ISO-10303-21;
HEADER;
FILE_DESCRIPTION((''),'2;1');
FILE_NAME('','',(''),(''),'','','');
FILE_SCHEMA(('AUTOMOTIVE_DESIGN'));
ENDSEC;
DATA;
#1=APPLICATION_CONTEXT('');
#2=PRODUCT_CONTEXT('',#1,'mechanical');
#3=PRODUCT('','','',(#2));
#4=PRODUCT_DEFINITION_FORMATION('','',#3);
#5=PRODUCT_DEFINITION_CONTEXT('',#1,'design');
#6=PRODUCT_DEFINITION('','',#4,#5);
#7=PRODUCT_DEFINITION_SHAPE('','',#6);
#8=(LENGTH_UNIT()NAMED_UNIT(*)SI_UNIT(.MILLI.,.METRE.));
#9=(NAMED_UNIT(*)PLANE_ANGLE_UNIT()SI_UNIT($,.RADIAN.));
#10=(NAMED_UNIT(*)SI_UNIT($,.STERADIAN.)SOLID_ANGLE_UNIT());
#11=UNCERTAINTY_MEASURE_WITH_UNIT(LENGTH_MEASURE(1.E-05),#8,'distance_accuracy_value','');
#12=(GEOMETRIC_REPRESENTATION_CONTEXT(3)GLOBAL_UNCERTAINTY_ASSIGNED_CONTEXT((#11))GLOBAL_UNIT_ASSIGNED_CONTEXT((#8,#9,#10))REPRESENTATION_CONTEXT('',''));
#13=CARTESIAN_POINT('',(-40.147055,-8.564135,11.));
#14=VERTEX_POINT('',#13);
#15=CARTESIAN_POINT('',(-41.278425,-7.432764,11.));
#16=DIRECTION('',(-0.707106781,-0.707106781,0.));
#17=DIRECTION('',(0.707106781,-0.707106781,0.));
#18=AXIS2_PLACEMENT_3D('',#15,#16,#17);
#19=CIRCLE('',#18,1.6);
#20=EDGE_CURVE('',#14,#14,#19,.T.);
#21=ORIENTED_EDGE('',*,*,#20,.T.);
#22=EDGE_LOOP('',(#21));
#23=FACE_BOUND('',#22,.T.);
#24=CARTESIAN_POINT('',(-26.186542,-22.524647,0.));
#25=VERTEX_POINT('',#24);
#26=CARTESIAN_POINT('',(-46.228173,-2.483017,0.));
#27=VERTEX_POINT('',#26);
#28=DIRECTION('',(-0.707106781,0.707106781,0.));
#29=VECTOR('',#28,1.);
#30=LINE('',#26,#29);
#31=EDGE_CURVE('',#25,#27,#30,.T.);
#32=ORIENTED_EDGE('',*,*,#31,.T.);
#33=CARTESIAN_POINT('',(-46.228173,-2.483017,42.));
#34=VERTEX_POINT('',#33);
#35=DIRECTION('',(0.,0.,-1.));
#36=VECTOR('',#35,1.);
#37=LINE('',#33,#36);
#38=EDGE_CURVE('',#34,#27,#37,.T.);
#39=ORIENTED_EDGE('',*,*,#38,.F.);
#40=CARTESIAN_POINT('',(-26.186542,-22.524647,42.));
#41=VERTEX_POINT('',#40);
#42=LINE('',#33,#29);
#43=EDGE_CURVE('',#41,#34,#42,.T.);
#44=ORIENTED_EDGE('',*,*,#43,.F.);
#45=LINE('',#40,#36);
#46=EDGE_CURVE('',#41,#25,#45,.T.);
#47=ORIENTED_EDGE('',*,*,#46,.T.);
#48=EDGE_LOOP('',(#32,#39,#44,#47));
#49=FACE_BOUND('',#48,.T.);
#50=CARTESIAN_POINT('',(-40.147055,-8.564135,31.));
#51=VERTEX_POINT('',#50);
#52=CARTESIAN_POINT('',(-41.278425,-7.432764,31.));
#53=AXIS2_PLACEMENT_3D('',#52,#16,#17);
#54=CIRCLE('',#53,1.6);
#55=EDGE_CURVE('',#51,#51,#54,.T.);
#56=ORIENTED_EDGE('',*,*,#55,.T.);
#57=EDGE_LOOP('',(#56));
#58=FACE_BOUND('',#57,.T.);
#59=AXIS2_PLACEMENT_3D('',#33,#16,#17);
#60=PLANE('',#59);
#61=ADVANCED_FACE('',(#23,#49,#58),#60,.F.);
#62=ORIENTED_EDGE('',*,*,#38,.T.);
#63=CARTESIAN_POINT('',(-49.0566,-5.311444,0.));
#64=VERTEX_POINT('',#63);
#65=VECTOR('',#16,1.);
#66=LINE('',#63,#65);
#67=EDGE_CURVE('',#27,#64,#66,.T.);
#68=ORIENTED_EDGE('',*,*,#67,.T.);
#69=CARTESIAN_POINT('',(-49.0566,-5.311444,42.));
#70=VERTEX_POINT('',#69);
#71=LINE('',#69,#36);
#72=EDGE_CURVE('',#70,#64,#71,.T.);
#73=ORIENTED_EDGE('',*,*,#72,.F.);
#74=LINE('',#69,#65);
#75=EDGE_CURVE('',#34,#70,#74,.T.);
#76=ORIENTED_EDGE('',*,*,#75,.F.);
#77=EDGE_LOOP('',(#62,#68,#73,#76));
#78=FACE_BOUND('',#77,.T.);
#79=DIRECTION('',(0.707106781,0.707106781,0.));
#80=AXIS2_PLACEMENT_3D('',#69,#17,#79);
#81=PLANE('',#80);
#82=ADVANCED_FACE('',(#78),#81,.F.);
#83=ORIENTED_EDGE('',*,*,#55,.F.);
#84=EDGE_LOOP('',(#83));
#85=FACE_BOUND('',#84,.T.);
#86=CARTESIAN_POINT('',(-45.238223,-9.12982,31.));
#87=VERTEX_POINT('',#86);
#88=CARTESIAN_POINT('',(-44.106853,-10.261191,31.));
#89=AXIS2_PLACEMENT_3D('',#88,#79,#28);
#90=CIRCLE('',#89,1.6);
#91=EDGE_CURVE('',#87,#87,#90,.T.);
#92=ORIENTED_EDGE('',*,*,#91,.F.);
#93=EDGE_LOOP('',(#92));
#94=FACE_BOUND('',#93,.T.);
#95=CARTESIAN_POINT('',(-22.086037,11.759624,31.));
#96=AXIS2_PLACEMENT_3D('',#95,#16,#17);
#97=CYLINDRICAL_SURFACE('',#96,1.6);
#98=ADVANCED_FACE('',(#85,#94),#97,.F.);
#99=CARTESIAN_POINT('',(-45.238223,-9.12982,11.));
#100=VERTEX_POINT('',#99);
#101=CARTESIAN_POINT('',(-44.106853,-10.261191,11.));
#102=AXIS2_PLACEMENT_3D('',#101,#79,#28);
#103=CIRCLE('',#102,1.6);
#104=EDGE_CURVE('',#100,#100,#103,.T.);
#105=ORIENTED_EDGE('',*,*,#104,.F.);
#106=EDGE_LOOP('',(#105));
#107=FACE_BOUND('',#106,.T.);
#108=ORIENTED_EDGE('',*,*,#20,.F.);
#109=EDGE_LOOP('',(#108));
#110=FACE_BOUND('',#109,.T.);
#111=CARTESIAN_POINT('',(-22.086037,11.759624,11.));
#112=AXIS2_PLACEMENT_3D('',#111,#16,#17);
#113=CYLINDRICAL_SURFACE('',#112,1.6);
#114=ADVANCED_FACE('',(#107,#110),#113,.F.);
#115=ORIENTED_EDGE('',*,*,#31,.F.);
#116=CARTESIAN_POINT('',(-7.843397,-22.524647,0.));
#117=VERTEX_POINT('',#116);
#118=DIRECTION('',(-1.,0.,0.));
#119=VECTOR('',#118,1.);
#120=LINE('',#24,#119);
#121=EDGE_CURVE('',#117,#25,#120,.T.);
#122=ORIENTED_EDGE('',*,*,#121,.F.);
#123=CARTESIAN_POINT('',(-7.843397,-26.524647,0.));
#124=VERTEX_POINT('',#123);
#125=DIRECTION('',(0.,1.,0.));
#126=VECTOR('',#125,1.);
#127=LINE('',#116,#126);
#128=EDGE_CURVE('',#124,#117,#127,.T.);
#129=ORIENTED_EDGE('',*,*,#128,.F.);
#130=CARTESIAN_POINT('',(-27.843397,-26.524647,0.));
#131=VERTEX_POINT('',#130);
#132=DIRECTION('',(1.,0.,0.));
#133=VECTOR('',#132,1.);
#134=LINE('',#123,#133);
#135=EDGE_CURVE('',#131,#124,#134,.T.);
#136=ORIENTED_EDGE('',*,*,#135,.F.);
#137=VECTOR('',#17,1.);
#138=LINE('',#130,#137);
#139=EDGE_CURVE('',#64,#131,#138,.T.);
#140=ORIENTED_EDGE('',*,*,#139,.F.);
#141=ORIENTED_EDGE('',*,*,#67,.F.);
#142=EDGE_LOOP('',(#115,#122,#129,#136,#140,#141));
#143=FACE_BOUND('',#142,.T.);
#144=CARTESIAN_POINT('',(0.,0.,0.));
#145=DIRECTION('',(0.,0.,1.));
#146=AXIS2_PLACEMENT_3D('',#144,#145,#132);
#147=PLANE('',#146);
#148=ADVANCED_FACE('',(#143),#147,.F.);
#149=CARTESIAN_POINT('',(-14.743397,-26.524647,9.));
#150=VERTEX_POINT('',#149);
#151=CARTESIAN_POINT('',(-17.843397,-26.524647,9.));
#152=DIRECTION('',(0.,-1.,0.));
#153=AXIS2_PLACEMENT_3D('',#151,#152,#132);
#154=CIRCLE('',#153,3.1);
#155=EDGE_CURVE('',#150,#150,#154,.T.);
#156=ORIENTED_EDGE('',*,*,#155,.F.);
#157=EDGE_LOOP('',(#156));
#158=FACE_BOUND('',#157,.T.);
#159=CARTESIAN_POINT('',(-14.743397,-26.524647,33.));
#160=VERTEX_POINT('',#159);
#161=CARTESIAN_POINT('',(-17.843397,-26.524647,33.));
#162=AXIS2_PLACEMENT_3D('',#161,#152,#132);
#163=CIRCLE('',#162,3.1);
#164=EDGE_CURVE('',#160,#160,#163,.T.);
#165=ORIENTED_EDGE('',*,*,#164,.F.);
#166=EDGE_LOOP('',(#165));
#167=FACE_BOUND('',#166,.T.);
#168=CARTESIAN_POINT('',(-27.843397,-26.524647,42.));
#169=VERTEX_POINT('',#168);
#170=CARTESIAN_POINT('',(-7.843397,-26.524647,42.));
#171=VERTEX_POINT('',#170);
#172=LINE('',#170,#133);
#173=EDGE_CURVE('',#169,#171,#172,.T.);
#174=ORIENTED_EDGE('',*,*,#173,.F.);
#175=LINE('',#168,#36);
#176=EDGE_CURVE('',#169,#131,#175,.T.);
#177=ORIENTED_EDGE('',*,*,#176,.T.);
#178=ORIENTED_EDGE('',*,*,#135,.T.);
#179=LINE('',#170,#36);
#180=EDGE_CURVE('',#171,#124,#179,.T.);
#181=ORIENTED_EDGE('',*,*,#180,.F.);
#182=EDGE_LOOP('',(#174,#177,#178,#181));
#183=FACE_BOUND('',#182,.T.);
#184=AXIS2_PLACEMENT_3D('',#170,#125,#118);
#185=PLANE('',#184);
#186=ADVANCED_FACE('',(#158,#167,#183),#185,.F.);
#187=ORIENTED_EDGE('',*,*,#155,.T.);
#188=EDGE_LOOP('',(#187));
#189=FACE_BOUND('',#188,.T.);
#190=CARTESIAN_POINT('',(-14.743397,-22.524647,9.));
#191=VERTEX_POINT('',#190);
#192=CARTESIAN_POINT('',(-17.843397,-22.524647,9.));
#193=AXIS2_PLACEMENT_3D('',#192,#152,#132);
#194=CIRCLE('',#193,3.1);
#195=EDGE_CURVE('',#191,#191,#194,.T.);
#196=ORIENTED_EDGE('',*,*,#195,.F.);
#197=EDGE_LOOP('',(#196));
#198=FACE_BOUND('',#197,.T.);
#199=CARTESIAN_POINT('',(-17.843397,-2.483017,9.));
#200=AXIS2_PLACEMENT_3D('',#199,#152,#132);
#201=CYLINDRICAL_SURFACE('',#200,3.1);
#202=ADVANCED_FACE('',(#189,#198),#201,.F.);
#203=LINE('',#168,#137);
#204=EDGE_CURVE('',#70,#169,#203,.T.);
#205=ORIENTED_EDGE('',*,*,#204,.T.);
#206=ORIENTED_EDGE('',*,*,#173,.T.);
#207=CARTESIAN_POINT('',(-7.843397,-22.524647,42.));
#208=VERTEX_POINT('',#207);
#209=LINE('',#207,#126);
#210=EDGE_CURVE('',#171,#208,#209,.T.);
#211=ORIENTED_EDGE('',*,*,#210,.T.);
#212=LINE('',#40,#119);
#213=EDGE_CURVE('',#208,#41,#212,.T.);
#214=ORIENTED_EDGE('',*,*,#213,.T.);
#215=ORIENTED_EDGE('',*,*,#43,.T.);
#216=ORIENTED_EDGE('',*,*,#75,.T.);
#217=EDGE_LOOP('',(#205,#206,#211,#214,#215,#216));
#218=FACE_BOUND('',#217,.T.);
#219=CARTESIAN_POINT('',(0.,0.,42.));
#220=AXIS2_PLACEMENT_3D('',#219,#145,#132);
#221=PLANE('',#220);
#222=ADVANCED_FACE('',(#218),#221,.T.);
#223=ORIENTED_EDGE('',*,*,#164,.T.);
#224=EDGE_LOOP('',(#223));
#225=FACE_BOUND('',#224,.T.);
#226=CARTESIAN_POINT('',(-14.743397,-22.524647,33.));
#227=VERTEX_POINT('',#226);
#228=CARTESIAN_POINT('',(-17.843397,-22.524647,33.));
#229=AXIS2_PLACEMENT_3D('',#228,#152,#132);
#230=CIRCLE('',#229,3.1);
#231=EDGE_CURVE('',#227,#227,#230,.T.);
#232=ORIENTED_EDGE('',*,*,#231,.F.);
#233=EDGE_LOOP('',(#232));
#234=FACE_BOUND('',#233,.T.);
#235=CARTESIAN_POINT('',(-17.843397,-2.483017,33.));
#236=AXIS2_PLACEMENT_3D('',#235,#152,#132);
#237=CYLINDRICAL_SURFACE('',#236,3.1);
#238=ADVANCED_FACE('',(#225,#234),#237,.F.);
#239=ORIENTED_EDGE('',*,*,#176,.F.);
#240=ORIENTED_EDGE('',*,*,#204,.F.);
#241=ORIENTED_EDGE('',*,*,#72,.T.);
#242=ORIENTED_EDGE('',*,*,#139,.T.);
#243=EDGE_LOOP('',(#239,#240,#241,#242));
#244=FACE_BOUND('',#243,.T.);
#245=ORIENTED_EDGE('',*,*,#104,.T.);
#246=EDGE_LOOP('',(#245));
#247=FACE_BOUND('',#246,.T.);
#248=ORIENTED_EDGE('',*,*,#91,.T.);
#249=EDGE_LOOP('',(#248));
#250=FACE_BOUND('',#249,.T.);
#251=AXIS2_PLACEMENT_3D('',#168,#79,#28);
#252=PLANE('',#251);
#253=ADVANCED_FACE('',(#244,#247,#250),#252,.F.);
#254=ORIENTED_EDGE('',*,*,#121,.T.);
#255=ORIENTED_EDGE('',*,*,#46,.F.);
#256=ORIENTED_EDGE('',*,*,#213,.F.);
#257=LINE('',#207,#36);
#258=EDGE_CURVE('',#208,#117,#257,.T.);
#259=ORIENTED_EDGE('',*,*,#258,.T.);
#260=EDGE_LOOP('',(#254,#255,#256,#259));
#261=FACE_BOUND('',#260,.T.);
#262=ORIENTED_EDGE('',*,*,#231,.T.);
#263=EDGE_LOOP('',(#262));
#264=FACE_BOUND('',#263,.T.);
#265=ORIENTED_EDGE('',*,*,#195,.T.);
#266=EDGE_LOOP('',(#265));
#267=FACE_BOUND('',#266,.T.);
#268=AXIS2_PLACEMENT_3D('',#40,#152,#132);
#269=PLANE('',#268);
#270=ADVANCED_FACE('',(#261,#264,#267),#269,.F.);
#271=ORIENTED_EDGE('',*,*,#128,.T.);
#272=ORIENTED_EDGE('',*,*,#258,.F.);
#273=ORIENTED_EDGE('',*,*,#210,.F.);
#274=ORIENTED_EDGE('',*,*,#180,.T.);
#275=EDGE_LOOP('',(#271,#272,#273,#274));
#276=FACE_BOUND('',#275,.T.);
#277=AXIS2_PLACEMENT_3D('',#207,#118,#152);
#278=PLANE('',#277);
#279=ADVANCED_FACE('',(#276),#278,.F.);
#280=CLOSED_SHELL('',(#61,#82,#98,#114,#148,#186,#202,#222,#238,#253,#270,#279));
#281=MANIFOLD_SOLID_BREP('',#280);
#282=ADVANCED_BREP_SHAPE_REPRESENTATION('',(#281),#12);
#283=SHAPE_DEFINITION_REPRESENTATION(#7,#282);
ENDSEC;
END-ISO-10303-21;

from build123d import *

# Parameters (mm, degrees)
BOSS_EXTRUDE1_DEPTH     = 42
CUT_EXTRUDE1_DEPTH      = 54.409262615
CUT_EXTRUDE1_DEPTH_BACK = 54.409262615
SKETCH4_R               = 1.6
SKETCH5_R               = 3.1
CUT_EXTRUDE2_DEPTH      = 69.909723571


with BuildPart() as part:
    # Sketch1 → Boss-Extrude1 (new body)
    with BuildSketch(Plane.XY):
        Polygon((-26.186542305, -22.524647199), (-7.843396555, -22.524647199), (-7.843396555, -26.524647199), (-27.843396555, -26.524647199), (-49.05659999, -5.311443763), (-46.228172865, -2.483016639), align=None)
    extrude(amount=BOSS_EXTRUDE1_DEPTH)

    # Sketch4 → Cut-Extrude1 (cut, two sides: drawn at the far end of the back side and taken through both)
    with BuildSketch(Plane(origin=(-27.184021877, -27.184021877, 0), x_dir=(0, 0, 1), z_dir=(-0.7071067811865462, -0.707106781186549, 0)).offset(-CUT_EXTRUDE1_DEPTH_BACK)):
        with Locations(Location((31, 23.932496612, 0), (0, 0, 270))):
            Circle(SKETCH4_R)
        with Locations(Location((11, 23.932496612, 0), (0, 0, 270))):
            Circle(SKETCH4_R)
    extrude(amount=CUT_EXTRUDE1_DEPTH + CUT_EXTRUDE1_DEPTH_BACK, mode=Mode.SUBTRACT)

    # Sketch5 → Cut-Extrude2 (cut, through all)
    with BuildSketch(Plane.XZ.offset(26.524647199)):
        with Locations((-17.843396555, 33)):
            Circle(SKETCH5_R)
        with Locations((-17.843396555, 9)):
            Circle(SKETCH5_R)
    extrude(amount=-CUT_EXTRUDE2_DEPTH, mode=Mode.SUBTRACT)


solid = part.part
